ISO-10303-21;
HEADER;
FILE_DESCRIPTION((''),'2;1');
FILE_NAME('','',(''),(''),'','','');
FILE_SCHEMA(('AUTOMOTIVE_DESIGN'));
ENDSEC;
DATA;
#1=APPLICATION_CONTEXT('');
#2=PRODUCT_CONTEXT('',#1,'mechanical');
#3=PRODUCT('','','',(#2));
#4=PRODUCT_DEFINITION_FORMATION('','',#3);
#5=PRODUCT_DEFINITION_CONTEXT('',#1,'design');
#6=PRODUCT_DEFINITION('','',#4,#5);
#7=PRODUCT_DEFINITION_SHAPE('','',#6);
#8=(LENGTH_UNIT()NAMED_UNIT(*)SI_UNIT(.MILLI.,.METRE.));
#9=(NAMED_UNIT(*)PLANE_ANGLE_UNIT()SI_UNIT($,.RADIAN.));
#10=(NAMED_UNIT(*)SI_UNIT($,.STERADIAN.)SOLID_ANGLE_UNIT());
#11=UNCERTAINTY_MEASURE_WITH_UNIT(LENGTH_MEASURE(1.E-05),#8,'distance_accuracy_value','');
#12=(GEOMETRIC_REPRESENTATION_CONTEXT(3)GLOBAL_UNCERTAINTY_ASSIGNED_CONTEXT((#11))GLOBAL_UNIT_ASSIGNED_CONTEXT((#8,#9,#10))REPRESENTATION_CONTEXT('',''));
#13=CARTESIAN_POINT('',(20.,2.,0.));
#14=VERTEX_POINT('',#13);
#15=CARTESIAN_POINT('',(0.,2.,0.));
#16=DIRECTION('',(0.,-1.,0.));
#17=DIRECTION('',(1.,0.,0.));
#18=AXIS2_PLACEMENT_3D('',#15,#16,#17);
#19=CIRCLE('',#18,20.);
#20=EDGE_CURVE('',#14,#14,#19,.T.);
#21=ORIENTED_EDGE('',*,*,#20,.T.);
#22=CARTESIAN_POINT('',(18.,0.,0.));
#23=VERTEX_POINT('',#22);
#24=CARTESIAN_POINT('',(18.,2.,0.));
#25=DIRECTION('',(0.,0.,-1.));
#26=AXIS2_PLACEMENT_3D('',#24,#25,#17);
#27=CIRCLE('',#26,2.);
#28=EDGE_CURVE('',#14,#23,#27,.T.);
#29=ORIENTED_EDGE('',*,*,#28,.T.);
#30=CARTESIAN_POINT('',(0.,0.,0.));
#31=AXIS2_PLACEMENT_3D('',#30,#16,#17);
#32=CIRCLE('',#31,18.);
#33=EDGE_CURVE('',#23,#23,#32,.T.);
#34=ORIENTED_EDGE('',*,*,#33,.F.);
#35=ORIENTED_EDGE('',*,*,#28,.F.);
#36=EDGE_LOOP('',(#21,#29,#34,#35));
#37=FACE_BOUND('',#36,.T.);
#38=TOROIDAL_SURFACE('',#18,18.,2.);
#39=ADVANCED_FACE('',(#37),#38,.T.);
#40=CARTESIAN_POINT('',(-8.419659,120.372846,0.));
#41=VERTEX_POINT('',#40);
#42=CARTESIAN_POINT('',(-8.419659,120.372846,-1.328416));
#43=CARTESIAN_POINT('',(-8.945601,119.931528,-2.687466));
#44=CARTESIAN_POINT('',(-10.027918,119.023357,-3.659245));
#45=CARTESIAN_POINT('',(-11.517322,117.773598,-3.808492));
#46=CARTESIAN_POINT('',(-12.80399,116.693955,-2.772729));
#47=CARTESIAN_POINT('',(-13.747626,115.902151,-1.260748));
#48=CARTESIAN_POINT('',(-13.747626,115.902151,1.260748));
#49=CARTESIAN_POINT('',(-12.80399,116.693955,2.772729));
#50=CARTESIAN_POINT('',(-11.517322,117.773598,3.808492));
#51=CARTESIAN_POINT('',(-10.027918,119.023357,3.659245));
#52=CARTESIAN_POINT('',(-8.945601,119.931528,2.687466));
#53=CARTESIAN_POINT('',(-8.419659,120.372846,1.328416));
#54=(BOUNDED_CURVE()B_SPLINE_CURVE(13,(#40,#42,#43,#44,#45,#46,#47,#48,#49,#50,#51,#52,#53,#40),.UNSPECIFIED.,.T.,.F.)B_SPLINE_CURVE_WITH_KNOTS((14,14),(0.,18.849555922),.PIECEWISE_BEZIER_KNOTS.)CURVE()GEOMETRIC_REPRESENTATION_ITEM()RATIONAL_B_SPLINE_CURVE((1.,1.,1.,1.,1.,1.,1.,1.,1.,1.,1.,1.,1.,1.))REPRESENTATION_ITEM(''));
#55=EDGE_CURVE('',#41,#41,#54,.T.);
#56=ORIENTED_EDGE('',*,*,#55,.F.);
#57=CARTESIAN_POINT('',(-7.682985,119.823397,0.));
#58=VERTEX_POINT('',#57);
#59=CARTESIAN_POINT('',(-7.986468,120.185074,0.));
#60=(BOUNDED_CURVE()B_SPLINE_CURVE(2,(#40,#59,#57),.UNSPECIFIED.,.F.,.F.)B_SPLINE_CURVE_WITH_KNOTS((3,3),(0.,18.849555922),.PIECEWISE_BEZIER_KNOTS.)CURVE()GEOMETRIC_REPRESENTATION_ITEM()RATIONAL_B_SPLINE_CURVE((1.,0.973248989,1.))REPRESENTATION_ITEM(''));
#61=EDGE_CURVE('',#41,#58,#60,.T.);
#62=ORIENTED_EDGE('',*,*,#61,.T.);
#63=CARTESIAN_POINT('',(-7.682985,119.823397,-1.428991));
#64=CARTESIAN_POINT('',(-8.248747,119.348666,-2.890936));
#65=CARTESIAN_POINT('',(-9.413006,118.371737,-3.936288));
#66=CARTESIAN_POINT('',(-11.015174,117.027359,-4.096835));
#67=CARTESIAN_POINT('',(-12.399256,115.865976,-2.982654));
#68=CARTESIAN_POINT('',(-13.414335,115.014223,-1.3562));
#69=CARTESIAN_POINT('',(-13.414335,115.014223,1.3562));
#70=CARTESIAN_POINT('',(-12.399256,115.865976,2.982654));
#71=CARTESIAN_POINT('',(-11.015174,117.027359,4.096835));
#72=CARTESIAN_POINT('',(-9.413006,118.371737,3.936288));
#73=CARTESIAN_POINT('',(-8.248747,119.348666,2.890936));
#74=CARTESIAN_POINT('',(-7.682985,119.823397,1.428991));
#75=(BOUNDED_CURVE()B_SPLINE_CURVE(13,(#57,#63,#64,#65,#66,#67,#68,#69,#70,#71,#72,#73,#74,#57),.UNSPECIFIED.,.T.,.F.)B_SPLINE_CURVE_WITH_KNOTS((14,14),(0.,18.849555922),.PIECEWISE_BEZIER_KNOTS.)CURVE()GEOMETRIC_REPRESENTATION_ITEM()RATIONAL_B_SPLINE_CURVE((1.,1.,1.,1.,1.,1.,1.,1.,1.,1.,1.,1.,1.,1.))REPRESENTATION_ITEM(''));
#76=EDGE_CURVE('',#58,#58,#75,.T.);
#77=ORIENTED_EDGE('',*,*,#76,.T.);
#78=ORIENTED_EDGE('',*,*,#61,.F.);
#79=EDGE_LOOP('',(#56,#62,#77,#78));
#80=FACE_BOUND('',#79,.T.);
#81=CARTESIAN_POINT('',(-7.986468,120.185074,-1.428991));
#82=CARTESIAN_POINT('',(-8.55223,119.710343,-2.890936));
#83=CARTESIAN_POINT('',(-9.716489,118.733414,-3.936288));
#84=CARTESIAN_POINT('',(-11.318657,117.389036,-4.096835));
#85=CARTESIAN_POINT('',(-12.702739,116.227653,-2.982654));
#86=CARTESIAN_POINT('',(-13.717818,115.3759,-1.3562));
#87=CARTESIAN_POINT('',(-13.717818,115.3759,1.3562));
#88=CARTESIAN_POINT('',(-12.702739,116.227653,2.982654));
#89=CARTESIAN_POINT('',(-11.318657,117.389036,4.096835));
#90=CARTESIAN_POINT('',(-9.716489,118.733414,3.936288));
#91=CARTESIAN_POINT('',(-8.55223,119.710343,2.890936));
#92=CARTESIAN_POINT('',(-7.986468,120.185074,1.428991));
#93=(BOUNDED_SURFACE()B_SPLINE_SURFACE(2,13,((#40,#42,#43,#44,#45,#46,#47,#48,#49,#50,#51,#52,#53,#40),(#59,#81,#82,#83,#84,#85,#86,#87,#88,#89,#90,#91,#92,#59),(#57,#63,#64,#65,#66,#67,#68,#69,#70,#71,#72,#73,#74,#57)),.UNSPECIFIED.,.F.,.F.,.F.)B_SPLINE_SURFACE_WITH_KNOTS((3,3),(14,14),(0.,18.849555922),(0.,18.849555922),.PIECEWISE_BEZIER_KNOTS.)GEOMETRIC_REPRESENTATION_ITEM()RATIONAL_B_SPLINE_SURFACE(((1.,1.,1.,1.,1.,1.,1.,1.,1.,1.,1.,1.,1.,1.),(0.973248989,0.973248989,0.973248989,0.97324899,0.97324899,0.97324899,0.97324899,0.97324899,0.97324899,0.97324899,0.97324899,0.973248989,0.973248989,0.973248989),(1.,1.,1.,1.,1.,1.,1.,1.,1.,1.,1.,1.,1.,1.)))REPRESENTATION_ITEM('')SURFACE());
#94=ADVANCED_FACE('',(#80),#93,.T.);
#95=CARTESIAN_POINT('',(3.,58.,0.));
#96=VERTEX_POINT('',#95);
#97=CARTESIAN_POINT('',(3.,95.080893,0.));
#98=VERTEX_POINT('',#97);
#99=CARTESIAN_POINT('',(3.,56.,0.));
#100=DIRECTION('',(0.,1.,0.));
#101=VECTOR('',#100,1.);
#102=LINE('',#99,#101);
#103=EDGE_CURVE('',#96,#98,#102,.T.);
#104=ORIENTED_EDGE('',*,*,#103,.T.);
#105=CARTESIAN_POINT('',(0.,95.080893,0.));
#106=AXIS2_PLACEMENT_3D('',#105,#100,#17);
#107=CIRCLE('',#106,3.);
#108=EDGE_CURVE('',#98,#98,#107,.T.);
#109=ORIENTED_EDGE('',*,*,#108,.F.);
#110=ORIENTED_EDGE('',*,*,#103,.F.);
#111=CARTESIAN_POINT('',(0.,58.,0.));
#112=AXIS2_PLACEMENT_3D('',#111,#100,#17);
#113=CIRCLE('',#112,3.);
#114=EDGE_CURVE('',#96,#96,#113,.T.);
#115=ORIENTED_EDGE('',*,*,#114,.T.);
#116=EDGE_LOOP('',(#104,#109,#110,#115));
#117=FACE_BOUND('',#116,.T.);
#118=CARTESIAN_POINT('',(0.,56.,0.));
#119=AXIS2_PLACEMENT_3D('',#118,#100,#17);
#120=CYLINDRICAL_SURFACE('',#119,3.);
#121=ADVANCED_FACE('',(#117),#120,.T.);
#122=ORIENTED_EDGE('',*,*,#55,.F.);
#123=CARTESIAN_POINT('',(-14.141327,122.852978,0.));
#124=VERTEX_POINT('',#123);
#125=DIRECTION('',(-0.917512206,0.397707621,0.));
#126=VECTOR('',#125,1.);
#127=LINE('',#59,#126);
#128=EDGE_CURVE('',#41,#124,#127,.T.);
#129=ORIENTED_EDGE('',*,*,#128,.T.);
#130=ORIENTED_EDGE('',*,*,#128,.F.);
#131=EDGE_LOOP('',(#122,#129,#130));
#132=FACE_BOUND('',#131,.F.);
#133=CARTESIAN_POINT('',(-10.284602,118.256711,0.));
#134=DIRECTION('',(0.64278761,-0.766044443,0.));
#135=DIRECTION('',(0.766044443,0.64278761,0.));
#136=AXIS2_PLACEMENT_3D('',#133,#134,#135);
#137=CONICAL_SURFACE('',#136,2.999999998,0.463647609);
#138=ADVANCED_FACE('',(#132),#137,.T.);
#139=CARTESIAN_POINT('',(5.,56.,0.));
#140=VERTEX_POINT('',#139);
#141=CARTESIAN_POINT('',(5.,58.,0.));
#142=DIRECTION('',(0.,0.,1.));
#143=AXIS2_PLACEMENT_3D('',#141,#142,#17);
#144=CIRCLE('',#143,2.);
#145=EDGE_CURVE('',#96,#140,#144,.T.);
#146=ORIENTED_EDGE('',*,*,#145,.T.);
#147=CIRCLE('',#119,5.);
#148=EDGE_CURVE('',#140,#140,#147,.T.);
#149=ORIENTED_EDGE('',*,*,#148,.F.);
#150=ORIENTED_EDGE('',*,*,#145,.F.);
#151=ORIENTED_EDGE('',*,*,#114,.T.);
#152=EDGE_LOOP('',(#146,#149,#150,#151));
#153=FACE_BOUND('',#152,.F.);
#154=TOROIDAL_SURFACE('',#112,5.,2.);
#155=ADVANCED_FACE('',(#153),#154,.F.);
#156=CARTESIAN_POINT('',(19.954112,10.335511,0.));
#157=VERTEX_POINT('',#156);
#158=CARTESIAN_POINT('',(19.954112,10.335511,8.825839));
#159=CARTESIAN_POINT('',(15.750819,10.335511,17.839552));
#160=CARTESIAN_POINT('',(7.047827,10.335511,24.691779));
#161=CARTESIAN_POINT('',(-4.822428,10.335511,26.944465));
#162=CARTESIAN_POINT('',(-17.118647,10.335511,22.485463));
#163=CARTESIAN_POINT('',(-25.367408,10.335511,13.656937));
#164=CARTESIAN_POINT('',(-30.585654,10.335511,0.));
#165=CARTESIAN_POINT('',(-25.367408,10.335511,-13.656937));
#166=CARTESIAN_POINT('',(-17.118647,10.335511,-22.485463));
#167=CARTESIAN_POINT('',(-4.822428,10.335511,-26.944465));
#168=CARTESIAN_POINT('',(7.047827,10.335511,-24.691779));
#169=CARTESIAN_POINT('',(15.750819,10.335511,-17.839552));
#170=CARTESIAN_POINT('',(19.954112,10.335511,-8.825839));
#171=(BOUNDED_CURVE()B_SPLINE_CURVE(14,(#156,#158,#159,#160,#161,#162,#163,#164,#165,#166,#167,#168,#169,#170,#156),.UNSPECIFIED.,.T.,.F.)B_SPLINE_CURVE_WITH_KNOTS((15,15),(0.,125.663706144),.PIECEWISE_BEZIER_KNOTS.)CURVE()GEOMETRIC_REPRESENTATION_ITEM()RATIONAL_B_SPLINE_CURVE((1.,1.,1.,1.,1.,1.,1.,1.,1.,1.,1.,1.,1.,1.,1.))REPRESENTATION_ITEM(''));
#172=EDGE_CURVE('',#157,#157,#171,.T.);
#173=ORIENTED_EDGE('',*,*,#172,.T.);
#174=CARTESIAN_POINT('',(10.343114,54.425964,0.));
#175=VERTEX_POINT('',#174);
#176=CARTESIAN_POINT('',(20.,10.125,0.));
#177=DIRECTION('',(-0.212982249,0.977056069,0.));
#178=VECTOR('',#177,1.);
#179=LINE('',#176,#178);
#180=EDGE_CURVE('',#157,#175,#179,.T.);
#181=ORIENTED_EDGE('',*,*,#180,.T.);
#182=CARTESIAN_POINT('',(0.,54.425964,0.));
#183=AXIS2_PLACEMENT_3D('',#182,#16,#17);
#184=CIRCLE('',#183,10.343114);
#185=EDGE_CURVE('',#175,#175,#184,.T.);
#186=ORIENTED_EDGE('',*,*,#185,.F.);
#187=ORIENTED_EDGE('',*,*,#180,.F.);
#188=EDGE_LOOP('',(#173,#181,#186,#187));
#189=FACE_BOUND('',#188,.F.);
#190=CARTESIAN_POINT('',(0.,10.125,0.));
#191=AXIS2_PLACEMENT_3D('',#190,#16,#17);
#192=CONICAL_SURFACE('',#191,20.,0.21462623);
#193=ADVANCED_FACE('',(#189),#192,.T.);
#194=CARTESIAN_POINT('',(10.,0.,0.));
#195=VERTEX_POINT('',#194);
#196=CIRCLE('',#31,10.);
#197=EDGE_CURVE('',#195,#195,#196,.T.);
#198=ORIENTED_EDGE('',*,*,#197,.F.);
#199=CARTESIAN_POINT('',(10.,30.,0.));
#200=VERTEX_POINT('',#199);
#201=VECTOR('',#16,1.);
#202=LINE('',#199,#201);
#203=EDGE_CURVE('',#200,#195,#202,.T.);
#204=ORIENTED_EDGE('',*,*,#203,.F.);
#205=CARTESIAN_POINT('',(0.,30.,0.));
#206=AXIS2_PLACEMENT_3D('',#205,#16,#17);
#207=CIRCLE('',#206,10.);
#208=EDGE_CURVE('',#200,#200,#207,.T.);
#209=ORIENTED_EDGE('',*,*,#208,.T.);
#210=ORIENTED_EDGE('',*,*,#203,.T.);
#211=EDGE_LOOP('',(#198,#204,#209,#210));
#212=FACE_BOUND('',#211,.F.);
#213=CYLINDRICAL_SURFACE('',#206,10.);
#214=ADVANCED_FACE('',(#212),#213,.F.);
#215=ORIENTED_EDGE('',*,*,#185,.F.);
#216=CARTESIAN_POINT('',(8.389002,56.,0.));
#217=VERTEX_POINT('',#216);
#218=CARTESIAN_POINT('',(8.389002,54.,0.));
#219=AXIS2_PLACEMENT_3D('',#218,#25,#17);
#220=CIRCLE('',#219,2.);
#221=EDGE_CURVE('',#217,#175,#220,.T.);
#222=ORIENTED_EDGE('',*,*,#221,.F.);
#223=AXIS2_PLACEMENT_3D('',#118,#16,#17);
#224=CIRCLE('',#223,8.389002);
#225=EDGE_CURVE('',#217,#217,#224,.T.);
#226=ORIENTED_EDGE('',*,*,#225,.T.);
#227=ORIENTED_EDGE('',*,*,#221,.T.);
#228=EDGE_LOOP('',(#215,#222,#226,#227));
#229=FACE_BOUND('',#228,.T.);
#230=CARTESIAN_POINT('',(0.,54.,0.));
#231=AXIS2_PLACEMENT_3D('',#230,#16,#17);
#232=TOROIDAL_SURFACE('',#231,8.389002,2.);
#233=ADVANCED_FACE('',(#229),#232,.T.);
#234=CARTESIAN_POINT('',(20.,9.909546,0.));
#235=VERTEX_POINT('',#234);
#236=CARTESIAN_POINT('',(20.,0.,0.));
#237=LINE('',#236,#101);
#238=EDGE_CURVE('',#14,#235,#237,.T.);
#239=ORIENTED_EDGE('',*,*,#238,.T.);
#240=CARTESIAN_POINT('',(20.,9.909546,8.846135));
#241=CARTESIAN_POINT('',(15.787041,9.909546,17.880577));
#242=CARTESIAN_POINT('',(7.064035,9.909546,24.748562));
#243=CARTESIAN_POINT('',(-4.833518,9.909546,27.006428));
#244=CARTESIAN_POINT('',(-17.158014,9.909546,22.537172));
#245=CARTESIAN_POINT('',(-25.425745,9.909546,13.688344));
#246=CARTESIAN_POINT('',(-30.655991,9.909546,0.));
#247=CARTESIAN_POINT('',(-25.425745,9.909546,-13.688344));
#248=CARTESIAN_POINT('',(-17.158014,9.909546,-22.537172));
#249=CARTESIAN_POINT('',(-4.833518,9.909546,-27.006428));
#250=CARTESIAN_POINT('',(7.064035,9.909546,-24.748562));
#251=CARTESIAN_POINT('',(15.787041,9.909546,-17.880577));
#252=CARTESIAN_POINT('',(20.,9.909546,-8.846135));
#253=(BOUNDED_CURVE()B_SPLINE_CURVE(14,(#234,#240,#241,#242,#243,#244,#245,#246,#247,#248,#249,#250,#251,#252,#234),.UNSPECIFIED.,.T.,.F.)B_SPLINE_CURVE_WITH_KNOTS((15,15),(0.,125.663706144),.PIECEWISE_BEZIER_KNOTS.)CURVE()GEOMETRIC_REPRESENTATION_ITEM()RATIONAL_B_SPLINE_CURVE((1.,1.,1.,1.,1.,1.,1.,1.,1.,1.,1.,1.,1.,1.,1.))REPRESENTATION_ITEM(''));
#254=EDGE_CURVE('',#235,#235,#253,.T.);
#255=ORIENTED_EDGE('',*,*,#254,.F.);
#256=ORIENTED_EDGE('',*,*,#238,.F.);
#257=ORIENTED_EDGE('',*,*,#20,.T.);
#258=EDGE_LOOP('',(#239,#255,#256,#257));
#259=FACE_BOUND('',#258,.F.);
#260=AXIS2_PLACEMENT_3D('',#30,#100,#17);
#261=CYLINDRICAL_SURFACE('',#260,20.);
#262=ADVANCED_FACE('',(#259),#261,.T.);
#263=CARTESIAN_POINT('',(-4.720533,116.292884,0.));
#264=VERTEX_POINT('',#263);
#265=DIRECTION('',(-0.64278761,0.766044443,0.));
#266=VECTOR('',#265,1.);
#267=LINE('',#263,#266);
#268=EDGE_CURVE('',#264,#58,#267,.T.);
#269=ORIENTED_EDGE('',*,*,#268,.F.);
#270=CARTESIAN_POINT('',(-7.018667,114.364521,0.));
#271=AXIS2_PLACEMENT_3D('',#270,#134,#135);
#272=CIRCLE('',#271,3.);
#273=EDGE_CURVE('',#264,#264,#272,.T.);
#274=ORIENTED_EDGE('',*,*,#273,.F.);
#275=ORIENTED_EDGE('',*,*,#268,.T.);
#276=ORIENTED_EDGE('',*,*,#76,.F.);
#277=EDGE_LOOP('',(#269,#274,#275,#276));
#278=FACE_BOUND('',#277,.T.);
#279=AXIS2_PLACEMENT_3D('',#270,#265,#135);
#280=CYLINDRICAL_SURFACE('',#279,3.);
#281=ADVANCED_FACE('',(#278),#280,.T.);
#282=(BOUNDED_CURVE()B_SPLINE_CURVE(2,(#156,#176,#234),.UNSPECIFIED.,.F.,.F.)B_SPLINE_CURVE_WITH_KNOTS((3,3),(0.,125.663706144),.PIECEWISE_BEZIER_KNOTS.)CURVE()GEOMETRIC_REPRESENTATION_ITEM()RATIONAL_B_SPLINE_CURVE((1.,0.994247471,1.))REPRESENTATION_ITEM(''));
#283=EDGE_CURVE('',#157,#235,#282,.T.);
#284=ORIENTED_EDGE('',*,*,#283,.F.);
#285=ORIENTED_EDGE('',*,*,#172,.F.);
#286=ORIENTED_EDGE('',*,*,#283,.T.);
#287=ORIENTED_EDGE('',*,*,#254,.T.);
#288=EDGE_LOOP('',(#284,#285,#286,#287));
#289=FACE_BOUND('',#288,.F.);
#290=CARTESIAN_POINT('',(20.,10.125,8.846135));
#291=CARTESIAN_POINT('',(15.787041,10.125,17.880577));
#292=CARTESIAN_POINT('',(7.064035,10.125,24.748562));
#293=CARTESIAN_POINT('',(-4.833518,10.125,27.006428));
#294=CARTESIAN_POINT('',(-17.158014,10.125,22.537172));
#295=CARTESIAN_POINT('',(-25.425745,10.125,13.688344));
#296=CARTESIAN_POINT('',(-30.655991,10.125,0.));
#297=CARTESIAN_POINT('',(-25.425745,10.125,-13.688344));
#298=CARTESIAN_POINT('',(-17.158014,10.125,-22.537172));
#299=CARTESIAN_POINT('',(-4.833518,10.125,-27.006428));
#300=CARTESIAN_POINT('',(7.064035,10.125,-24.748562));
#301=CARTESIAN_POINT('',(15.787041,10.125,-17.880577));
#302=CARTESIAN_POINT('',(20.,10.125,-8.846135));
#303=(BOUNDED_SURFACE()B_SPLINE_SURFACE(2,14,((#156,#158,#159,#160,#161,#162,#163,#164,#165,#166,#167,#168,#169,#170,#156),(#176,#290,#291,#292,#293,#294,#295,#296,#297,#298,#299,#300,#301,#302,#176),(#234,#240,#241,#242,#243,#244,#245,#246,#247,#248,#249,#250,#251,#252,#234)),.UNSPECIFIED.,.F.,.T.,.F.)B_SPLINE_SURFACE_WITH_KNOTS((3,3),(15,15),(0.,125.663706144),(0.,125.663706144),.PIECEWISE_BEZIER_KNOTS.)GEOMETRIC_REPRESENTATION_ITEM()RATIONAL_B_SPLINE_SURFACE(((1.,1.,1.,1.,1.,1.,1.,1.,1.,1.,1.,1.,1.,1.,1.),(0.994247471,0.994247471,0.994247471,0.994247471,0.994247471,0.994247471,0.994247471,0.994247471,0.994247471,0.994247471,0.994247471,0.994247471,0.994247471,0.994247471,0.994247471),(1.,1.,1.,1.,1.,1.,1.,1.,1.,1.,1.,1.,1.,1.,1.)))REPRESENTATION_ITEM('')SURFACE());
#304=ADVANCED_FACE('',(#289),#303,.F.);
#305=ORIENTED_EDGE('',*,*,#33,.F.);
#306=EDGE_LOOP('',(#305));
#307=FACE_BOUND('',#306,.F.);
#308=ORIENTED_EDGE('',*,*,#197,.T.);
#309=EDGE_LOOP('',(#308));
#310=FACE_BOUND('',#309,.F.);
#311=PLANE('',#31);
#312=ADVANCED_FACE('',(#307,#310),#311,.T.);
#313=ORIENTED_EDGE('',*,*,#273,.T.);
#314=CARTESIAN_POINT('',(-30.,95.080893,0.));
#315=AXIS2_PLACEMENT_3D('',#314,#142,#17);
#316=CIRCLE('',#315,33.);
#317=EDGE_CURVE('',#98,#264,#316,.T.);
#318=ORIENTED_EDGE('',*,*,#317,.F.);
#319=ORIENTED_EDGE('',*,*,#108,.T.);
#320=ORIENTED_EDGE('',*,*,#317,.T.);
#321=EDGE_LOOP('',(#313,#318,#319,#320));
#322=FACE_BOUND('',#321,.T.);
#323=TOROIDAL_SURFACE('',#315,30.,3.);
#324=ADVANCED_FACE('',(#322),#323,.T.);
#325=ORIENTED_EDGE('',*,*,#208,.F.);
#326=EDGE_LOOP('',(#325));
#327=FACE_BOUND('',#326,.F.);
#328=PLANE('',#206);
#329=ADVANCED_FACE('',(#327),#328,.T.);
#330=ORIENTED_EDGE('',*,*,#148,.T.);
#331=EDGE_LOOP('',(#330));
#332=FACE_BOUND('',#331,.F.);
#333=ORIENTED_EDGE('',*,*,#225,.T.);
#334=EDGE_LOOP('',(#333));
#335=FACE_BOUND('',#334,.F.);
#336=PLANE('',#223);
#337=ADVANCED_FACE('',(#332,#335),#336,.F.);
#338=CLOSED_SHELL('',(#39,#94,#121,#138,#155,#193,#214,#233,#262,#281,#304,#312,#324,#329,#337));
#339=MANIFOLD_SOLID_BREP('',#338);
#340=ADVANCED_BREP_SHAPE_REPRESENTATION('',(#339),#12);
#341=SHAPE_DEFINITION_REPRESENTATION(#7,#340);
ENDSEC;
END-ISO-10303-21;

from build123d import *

# Parameters (mm, degrees)
SKETCH4_R = 3
FILLET1_R = 2


with BuildPart() as part:
    # Sketch1 → Revolve1 (revolve)
    with BuildSketch(Plane.XY):
        Polygon((10, 0), (20, 0), (20, 10.125), (10, 56), (0, 56), (0, 30), (10, 30), align=None)
    revolve(axis=Axis((0, 42, 0), (0, -1, 0)))

    # Sweep1: sweep along a path in Sketch2
    with BuildLine(Plane.XY) as sweep1_path:
        Line((0, 56), (0, 95.080892972))
        ThreePointArc((0, 95.080892972), (-1.809221376, 105.341497272), (-7.018666706, 114.364521263))
        Line((-7.018666706, 114.364521263), (-10.284601755, 118.25671109))
    # Sketch4 → Sweep1 (sweep)
    with BuildSketch(Plane(origin=(0, 56, 0), x_dir=(1, 0, 0), z_dir=(0, 1, 0))):
        Circle(SKETCH4_R)
    sweep(path=sweep1_path.line)

    # Sketch3 → Revolve2 (revolve)
    with BuildSketch(Plane.XY):
        Polygon((-10.284601755, 118.25671109), (-7.986468426, 120.185073919), (-14.141327413, 122.852977749), align=None)
    revolve(axis=Axis((-14.141327413, 122.852977749, 0), (0.64278761, -0.766044443, 0)))

    # Fillet1
    fillet1_edges = [part.edges().sort_by_distance(p)[0] for p in [
        (-3, 56, 0),
        (-12.582735084, 116.328348261, 0),
        (-10, 56, 0),
        (-20, 10.125, 0),
        (-20, 0, 0),
    ]]
    fillet(fillet1_edges, radius=FILLET1_R)


solid = part.part
